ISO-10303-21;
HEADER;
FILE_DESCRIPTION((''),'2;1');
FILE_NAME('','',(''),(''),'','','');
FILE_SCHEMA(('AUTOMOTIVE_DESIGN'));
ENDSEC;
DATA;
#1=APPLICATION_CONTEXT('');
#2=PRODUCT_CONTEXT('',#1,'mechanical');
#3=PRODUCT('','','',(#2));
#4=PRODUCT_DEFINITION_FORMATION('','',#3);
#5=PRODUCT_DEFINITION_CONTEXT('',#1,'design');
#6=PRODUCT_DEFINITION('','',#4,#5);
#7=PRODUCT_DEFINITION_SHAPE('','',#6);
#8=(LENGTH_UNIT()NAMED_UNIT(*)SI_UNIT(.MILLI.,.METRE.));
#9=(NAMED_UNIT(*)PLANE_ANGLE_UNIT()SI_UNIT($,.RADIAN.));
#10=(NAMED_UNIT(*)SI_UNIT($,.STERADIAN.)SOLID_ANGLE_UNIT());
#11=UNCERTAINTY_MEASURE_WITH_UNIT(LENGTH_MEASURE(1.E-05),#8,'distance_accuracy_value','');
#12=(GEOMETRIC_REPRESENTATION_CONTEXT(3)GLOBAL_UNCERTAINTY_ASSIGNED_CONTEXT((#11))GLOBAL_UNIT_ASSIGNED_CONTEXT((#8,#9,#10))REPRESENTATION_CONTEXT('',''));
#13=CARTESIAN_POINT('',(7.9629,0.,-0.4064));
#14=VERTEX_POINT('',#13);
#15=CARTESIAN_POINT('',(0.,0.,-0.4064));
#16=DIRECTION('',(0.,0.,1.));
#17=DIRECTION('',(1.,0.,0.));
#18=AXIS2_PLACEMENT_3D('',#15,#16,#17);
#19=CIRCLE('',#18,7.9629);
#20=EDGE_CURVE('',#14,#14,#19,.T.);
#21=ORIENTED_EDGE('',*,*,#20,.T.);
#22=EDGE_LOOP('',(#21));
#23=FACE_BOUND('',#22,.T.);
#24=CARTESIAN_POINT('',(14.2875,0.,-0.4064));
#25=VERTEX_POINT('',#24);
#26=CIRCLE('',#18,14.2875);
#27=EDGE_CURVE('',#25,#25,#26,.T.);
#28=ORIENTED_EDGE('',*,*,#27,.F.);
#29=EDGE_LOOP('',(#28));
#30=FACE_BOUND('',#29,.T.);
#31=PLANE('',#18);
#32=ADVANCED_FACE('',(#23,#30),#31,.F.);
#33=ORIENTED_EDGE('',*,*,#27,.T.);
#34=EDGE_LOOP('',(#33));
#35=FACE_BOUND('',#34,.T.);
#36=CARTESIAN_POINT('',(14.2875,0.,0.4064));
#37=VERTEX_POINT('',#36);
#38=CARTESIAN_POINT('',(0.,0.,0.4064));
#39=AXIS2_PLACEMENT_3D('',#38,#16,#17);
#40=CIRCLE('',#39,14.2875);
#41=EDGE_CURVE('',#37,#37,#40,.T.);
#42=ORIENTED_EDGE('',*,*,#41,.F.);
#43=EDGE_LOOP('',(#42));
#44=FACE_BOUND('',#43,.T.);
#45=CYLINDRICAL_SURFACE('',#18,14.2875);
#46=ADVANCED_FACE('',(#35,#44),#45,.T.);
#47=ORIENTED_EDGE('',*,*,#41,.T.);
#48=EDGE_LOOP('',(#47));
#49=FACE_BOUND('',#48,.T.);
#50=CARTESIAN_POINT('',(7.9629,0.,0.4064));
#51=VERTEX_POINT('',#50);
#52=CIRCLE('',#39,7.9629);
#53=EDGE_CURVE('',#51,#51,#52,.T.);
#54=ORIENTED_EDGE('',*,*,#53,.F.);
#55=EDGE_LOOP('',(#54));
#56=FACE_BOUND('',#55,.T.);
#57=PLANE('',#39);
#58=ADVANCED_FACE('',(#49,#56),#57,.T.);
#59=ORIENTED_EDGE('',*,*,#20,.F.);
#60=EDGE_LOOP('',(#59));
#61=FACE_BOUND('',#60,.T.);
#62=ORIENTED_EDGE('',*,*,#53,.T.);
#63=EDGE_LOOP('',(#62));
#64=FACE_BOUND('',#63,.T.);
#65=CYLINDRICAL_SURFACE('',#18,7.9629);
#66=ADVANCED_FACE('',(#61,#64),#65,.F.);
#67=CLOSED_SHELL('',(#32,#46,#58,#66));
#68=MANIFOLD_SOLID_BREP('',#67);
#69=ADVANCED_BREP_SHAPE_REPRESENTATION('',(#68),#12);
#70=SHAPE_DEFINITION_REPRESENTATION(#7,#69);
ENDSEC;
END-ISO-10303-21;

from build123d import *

# Parameters (mm, degrees)
SKETCH3_R                = 14.2875
SKETCH3_R_2              = 7.9629
BOSS_EXTRUDE1_DEPTH      = 0.4064
BOSS_EXTRUDE1_DEPTH_BACK = 0.4064


with BuildPart() as part:
    # Sketch3 → Boss-Extrude1 (new body, two sides)
    with BuildSketch(Plane.XY) as boss_extrude1_sk:
        Circle(SKETCH3_R)
        Circle(SKETCH3_R_2, mode=Mode.SUBTRACT)
    extrude(amount=BOSS_EXTRUDE1_DEPTH)
    extrude(boss_extrude1_sk.sketch, amount=-BOSS_EXTRUDE1_DEPTH_BACK)


solid = part.part
